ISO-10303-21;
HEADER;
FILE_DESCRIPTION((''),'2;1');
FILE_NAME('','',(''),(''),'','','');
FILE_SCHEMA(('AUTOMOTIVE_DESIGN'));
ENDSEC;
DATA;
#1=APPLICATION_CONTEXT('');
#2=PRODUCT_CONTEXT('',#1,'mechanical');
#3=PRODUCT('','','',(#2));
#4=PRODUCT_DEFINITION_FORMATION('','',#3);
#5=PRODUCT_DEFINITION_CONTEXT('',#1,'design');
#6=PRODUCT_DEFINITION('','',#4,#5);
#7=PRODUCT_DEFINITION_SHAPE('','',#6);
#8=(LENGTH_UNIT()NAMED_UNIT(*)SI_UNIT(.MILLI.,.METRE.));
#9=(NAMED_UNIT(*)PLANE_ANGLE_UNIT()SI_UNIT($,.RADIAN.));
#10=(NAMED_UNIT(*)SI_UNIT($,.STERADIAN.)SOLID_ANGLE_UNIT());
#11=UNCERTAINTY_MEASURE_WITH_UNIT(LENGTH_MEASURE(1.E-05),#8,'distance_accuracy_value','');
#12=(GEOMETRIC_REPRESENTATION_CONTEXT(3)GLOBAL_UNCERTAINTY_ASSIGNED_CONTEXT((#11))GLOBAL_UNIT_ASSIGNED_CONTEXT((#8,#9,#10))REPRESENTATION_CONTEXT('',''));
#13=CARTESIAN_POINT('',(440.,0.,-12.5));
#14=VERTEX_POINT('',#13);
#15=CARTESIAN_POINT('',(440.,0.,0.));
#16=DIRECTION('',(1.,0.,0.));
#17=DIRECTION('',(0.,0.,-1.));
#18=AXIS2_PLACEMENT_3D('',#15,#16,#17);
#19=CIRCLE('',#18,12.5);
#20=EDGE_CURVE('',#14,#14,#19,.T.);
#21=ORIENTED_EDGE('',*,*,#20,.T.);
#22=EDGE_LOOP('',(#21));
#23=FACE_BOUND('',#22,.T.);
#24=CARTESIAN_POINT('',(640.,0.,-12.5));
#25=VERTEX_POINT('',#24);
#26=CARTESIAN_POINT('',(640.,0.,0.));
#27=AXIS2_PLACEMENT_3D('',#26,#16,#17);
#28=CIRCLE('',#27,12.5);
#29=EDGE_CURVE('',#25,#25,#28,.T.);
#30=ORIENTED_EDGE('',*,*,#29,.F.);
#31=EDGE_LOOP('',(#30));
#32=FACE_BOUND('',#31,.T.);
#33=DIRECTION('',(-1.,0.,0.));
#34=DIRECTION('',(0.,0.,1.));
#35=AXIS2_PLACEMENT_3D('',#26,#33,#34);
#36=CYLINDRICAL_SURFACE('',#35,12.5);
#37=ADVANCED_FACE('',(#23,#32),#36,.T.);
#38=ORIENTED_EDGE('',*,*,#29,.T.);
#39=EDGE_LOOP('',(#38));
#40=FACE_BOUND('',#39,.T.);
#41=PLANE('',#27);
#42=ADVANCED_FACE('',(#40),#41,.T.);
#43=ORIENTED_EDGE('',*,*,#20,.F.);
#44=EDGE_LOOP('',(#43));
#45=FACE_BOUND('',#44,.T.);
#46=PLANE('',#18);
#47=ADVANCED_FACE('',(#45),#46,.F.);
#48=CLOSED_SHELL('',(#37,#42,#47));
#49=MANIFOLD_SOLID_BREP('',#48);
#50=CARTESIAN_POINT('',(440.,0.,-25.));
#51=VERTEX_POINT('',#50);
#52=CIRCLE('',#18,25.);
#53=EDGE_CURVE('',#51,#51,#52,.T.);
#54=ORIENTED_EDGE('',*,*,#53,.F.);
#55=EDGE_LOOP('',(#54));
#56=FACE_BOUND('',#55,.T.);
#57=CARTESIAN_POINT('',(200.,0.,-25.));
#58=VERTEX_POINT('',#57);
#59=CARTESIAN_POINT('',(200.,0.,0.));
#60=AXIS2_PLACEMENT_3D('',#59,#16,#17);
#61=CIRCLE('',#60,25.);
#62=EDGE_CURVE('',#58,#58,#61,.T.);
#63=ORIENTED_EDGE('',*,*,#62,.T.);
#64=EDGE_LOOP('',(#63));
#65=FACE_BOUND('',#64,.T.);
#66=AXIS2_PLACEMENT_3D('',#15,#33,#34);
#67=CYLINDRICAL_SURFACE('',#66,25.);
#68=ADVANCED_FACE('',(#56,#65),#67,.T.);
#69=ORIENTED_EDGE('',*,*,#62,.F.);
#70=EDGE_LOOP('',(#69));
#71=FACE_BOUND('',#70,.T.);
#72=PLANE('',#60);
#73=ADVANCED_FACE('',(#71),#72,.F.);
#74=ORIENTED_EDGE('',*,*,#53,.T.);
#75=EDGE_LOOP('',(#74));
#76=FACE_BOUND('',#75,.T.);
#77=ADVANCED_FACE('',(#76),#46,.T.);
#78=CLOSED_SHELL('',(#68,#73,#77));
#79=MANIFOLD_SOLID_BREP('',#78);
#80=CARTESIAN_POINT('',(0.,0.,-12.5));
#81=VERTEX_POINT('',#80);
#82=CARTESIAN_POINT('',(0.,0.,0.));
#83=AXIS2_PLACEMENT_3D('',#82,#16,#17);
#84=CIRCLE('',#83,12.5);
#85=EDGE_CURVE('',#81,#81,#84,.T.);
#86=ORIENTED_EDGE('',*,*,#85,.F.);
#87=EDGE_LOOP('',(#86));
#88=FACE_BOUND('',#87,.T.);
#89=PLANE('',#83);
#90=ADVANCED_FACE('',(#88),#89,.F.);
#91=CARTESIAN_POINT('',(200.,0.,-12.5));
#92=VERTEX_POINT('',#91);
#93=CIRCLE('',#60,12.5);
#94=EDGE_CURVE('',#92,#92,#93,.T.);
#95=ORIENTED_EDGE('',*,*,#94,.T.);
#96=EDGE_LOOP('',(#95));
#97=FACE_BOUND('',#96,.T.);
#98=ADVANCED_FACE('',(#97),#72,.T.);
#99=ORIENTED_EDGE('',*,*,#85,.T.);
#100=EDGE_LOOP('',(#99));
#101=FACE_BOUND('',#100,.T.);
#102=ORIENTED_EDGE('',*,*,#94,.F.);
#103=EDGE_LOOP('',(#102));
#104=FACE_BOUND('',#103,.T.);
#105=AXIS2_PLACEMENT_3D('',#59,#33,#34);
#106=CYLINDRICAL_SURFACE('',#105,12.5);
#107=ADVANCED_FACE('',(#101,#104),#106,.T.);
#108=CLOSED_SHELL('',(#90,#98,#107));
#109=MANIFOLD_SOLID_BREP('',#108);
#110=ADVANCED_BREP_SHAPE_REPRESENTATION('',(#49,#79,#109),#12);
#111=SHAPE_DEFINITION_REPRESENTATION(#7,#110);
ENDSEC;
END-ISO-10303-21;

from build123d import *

# Parameters (mm, degrees)
SKETCH2_R            = 12.5
BOSS_EXTRUDEAB_DEPTH = 200
SKETCH3_R            = 25
BOSS_EXTRUDEBC_DEPTH = 240
SKETCH4_R            = 12.5
BOSS_EXTRUDECD_DEPTH = 200


with BuildPart() as part:
    # Sketch2 → Boss-ExtrudeAB (new body)
    with BuildSketch(Plane(origin=(0, 0, 0), x_dir=(0, 0, -1), z_dir=(1, 0, 0))):
        Circle(SKETCH2_R)
    extrude(amount=BOSS_EXTRUDEAB_DEPTH)


with BuildPart() as body_2:
    # Sketch3 → Boss-ExtrudeBC (new body)
    with BuildSketch(Plane(origin=(200, 0, 0), x_dir=(0, 0, -1), z_dir=(1, 0, 0))):
        Circle(SKETCH3_R)
    extrude(amount=BOSS_EXTRUDEBC_DEPTH)


with BuildPart() as body_3:
    # Sketch4 → Boss-ExtrudeCD (new body)
    with BuildSketch(Plane(origin=(440, 0, 0), x_dir=(0, 0, -1), z_dir=(1, 0, 0))):
        Circle(SKETCH4_R)
    extrude(amount=BOSS_EXTRUDECD_DEPTH)


solid = Compound([part.part, body_2.part, body_3.part])
